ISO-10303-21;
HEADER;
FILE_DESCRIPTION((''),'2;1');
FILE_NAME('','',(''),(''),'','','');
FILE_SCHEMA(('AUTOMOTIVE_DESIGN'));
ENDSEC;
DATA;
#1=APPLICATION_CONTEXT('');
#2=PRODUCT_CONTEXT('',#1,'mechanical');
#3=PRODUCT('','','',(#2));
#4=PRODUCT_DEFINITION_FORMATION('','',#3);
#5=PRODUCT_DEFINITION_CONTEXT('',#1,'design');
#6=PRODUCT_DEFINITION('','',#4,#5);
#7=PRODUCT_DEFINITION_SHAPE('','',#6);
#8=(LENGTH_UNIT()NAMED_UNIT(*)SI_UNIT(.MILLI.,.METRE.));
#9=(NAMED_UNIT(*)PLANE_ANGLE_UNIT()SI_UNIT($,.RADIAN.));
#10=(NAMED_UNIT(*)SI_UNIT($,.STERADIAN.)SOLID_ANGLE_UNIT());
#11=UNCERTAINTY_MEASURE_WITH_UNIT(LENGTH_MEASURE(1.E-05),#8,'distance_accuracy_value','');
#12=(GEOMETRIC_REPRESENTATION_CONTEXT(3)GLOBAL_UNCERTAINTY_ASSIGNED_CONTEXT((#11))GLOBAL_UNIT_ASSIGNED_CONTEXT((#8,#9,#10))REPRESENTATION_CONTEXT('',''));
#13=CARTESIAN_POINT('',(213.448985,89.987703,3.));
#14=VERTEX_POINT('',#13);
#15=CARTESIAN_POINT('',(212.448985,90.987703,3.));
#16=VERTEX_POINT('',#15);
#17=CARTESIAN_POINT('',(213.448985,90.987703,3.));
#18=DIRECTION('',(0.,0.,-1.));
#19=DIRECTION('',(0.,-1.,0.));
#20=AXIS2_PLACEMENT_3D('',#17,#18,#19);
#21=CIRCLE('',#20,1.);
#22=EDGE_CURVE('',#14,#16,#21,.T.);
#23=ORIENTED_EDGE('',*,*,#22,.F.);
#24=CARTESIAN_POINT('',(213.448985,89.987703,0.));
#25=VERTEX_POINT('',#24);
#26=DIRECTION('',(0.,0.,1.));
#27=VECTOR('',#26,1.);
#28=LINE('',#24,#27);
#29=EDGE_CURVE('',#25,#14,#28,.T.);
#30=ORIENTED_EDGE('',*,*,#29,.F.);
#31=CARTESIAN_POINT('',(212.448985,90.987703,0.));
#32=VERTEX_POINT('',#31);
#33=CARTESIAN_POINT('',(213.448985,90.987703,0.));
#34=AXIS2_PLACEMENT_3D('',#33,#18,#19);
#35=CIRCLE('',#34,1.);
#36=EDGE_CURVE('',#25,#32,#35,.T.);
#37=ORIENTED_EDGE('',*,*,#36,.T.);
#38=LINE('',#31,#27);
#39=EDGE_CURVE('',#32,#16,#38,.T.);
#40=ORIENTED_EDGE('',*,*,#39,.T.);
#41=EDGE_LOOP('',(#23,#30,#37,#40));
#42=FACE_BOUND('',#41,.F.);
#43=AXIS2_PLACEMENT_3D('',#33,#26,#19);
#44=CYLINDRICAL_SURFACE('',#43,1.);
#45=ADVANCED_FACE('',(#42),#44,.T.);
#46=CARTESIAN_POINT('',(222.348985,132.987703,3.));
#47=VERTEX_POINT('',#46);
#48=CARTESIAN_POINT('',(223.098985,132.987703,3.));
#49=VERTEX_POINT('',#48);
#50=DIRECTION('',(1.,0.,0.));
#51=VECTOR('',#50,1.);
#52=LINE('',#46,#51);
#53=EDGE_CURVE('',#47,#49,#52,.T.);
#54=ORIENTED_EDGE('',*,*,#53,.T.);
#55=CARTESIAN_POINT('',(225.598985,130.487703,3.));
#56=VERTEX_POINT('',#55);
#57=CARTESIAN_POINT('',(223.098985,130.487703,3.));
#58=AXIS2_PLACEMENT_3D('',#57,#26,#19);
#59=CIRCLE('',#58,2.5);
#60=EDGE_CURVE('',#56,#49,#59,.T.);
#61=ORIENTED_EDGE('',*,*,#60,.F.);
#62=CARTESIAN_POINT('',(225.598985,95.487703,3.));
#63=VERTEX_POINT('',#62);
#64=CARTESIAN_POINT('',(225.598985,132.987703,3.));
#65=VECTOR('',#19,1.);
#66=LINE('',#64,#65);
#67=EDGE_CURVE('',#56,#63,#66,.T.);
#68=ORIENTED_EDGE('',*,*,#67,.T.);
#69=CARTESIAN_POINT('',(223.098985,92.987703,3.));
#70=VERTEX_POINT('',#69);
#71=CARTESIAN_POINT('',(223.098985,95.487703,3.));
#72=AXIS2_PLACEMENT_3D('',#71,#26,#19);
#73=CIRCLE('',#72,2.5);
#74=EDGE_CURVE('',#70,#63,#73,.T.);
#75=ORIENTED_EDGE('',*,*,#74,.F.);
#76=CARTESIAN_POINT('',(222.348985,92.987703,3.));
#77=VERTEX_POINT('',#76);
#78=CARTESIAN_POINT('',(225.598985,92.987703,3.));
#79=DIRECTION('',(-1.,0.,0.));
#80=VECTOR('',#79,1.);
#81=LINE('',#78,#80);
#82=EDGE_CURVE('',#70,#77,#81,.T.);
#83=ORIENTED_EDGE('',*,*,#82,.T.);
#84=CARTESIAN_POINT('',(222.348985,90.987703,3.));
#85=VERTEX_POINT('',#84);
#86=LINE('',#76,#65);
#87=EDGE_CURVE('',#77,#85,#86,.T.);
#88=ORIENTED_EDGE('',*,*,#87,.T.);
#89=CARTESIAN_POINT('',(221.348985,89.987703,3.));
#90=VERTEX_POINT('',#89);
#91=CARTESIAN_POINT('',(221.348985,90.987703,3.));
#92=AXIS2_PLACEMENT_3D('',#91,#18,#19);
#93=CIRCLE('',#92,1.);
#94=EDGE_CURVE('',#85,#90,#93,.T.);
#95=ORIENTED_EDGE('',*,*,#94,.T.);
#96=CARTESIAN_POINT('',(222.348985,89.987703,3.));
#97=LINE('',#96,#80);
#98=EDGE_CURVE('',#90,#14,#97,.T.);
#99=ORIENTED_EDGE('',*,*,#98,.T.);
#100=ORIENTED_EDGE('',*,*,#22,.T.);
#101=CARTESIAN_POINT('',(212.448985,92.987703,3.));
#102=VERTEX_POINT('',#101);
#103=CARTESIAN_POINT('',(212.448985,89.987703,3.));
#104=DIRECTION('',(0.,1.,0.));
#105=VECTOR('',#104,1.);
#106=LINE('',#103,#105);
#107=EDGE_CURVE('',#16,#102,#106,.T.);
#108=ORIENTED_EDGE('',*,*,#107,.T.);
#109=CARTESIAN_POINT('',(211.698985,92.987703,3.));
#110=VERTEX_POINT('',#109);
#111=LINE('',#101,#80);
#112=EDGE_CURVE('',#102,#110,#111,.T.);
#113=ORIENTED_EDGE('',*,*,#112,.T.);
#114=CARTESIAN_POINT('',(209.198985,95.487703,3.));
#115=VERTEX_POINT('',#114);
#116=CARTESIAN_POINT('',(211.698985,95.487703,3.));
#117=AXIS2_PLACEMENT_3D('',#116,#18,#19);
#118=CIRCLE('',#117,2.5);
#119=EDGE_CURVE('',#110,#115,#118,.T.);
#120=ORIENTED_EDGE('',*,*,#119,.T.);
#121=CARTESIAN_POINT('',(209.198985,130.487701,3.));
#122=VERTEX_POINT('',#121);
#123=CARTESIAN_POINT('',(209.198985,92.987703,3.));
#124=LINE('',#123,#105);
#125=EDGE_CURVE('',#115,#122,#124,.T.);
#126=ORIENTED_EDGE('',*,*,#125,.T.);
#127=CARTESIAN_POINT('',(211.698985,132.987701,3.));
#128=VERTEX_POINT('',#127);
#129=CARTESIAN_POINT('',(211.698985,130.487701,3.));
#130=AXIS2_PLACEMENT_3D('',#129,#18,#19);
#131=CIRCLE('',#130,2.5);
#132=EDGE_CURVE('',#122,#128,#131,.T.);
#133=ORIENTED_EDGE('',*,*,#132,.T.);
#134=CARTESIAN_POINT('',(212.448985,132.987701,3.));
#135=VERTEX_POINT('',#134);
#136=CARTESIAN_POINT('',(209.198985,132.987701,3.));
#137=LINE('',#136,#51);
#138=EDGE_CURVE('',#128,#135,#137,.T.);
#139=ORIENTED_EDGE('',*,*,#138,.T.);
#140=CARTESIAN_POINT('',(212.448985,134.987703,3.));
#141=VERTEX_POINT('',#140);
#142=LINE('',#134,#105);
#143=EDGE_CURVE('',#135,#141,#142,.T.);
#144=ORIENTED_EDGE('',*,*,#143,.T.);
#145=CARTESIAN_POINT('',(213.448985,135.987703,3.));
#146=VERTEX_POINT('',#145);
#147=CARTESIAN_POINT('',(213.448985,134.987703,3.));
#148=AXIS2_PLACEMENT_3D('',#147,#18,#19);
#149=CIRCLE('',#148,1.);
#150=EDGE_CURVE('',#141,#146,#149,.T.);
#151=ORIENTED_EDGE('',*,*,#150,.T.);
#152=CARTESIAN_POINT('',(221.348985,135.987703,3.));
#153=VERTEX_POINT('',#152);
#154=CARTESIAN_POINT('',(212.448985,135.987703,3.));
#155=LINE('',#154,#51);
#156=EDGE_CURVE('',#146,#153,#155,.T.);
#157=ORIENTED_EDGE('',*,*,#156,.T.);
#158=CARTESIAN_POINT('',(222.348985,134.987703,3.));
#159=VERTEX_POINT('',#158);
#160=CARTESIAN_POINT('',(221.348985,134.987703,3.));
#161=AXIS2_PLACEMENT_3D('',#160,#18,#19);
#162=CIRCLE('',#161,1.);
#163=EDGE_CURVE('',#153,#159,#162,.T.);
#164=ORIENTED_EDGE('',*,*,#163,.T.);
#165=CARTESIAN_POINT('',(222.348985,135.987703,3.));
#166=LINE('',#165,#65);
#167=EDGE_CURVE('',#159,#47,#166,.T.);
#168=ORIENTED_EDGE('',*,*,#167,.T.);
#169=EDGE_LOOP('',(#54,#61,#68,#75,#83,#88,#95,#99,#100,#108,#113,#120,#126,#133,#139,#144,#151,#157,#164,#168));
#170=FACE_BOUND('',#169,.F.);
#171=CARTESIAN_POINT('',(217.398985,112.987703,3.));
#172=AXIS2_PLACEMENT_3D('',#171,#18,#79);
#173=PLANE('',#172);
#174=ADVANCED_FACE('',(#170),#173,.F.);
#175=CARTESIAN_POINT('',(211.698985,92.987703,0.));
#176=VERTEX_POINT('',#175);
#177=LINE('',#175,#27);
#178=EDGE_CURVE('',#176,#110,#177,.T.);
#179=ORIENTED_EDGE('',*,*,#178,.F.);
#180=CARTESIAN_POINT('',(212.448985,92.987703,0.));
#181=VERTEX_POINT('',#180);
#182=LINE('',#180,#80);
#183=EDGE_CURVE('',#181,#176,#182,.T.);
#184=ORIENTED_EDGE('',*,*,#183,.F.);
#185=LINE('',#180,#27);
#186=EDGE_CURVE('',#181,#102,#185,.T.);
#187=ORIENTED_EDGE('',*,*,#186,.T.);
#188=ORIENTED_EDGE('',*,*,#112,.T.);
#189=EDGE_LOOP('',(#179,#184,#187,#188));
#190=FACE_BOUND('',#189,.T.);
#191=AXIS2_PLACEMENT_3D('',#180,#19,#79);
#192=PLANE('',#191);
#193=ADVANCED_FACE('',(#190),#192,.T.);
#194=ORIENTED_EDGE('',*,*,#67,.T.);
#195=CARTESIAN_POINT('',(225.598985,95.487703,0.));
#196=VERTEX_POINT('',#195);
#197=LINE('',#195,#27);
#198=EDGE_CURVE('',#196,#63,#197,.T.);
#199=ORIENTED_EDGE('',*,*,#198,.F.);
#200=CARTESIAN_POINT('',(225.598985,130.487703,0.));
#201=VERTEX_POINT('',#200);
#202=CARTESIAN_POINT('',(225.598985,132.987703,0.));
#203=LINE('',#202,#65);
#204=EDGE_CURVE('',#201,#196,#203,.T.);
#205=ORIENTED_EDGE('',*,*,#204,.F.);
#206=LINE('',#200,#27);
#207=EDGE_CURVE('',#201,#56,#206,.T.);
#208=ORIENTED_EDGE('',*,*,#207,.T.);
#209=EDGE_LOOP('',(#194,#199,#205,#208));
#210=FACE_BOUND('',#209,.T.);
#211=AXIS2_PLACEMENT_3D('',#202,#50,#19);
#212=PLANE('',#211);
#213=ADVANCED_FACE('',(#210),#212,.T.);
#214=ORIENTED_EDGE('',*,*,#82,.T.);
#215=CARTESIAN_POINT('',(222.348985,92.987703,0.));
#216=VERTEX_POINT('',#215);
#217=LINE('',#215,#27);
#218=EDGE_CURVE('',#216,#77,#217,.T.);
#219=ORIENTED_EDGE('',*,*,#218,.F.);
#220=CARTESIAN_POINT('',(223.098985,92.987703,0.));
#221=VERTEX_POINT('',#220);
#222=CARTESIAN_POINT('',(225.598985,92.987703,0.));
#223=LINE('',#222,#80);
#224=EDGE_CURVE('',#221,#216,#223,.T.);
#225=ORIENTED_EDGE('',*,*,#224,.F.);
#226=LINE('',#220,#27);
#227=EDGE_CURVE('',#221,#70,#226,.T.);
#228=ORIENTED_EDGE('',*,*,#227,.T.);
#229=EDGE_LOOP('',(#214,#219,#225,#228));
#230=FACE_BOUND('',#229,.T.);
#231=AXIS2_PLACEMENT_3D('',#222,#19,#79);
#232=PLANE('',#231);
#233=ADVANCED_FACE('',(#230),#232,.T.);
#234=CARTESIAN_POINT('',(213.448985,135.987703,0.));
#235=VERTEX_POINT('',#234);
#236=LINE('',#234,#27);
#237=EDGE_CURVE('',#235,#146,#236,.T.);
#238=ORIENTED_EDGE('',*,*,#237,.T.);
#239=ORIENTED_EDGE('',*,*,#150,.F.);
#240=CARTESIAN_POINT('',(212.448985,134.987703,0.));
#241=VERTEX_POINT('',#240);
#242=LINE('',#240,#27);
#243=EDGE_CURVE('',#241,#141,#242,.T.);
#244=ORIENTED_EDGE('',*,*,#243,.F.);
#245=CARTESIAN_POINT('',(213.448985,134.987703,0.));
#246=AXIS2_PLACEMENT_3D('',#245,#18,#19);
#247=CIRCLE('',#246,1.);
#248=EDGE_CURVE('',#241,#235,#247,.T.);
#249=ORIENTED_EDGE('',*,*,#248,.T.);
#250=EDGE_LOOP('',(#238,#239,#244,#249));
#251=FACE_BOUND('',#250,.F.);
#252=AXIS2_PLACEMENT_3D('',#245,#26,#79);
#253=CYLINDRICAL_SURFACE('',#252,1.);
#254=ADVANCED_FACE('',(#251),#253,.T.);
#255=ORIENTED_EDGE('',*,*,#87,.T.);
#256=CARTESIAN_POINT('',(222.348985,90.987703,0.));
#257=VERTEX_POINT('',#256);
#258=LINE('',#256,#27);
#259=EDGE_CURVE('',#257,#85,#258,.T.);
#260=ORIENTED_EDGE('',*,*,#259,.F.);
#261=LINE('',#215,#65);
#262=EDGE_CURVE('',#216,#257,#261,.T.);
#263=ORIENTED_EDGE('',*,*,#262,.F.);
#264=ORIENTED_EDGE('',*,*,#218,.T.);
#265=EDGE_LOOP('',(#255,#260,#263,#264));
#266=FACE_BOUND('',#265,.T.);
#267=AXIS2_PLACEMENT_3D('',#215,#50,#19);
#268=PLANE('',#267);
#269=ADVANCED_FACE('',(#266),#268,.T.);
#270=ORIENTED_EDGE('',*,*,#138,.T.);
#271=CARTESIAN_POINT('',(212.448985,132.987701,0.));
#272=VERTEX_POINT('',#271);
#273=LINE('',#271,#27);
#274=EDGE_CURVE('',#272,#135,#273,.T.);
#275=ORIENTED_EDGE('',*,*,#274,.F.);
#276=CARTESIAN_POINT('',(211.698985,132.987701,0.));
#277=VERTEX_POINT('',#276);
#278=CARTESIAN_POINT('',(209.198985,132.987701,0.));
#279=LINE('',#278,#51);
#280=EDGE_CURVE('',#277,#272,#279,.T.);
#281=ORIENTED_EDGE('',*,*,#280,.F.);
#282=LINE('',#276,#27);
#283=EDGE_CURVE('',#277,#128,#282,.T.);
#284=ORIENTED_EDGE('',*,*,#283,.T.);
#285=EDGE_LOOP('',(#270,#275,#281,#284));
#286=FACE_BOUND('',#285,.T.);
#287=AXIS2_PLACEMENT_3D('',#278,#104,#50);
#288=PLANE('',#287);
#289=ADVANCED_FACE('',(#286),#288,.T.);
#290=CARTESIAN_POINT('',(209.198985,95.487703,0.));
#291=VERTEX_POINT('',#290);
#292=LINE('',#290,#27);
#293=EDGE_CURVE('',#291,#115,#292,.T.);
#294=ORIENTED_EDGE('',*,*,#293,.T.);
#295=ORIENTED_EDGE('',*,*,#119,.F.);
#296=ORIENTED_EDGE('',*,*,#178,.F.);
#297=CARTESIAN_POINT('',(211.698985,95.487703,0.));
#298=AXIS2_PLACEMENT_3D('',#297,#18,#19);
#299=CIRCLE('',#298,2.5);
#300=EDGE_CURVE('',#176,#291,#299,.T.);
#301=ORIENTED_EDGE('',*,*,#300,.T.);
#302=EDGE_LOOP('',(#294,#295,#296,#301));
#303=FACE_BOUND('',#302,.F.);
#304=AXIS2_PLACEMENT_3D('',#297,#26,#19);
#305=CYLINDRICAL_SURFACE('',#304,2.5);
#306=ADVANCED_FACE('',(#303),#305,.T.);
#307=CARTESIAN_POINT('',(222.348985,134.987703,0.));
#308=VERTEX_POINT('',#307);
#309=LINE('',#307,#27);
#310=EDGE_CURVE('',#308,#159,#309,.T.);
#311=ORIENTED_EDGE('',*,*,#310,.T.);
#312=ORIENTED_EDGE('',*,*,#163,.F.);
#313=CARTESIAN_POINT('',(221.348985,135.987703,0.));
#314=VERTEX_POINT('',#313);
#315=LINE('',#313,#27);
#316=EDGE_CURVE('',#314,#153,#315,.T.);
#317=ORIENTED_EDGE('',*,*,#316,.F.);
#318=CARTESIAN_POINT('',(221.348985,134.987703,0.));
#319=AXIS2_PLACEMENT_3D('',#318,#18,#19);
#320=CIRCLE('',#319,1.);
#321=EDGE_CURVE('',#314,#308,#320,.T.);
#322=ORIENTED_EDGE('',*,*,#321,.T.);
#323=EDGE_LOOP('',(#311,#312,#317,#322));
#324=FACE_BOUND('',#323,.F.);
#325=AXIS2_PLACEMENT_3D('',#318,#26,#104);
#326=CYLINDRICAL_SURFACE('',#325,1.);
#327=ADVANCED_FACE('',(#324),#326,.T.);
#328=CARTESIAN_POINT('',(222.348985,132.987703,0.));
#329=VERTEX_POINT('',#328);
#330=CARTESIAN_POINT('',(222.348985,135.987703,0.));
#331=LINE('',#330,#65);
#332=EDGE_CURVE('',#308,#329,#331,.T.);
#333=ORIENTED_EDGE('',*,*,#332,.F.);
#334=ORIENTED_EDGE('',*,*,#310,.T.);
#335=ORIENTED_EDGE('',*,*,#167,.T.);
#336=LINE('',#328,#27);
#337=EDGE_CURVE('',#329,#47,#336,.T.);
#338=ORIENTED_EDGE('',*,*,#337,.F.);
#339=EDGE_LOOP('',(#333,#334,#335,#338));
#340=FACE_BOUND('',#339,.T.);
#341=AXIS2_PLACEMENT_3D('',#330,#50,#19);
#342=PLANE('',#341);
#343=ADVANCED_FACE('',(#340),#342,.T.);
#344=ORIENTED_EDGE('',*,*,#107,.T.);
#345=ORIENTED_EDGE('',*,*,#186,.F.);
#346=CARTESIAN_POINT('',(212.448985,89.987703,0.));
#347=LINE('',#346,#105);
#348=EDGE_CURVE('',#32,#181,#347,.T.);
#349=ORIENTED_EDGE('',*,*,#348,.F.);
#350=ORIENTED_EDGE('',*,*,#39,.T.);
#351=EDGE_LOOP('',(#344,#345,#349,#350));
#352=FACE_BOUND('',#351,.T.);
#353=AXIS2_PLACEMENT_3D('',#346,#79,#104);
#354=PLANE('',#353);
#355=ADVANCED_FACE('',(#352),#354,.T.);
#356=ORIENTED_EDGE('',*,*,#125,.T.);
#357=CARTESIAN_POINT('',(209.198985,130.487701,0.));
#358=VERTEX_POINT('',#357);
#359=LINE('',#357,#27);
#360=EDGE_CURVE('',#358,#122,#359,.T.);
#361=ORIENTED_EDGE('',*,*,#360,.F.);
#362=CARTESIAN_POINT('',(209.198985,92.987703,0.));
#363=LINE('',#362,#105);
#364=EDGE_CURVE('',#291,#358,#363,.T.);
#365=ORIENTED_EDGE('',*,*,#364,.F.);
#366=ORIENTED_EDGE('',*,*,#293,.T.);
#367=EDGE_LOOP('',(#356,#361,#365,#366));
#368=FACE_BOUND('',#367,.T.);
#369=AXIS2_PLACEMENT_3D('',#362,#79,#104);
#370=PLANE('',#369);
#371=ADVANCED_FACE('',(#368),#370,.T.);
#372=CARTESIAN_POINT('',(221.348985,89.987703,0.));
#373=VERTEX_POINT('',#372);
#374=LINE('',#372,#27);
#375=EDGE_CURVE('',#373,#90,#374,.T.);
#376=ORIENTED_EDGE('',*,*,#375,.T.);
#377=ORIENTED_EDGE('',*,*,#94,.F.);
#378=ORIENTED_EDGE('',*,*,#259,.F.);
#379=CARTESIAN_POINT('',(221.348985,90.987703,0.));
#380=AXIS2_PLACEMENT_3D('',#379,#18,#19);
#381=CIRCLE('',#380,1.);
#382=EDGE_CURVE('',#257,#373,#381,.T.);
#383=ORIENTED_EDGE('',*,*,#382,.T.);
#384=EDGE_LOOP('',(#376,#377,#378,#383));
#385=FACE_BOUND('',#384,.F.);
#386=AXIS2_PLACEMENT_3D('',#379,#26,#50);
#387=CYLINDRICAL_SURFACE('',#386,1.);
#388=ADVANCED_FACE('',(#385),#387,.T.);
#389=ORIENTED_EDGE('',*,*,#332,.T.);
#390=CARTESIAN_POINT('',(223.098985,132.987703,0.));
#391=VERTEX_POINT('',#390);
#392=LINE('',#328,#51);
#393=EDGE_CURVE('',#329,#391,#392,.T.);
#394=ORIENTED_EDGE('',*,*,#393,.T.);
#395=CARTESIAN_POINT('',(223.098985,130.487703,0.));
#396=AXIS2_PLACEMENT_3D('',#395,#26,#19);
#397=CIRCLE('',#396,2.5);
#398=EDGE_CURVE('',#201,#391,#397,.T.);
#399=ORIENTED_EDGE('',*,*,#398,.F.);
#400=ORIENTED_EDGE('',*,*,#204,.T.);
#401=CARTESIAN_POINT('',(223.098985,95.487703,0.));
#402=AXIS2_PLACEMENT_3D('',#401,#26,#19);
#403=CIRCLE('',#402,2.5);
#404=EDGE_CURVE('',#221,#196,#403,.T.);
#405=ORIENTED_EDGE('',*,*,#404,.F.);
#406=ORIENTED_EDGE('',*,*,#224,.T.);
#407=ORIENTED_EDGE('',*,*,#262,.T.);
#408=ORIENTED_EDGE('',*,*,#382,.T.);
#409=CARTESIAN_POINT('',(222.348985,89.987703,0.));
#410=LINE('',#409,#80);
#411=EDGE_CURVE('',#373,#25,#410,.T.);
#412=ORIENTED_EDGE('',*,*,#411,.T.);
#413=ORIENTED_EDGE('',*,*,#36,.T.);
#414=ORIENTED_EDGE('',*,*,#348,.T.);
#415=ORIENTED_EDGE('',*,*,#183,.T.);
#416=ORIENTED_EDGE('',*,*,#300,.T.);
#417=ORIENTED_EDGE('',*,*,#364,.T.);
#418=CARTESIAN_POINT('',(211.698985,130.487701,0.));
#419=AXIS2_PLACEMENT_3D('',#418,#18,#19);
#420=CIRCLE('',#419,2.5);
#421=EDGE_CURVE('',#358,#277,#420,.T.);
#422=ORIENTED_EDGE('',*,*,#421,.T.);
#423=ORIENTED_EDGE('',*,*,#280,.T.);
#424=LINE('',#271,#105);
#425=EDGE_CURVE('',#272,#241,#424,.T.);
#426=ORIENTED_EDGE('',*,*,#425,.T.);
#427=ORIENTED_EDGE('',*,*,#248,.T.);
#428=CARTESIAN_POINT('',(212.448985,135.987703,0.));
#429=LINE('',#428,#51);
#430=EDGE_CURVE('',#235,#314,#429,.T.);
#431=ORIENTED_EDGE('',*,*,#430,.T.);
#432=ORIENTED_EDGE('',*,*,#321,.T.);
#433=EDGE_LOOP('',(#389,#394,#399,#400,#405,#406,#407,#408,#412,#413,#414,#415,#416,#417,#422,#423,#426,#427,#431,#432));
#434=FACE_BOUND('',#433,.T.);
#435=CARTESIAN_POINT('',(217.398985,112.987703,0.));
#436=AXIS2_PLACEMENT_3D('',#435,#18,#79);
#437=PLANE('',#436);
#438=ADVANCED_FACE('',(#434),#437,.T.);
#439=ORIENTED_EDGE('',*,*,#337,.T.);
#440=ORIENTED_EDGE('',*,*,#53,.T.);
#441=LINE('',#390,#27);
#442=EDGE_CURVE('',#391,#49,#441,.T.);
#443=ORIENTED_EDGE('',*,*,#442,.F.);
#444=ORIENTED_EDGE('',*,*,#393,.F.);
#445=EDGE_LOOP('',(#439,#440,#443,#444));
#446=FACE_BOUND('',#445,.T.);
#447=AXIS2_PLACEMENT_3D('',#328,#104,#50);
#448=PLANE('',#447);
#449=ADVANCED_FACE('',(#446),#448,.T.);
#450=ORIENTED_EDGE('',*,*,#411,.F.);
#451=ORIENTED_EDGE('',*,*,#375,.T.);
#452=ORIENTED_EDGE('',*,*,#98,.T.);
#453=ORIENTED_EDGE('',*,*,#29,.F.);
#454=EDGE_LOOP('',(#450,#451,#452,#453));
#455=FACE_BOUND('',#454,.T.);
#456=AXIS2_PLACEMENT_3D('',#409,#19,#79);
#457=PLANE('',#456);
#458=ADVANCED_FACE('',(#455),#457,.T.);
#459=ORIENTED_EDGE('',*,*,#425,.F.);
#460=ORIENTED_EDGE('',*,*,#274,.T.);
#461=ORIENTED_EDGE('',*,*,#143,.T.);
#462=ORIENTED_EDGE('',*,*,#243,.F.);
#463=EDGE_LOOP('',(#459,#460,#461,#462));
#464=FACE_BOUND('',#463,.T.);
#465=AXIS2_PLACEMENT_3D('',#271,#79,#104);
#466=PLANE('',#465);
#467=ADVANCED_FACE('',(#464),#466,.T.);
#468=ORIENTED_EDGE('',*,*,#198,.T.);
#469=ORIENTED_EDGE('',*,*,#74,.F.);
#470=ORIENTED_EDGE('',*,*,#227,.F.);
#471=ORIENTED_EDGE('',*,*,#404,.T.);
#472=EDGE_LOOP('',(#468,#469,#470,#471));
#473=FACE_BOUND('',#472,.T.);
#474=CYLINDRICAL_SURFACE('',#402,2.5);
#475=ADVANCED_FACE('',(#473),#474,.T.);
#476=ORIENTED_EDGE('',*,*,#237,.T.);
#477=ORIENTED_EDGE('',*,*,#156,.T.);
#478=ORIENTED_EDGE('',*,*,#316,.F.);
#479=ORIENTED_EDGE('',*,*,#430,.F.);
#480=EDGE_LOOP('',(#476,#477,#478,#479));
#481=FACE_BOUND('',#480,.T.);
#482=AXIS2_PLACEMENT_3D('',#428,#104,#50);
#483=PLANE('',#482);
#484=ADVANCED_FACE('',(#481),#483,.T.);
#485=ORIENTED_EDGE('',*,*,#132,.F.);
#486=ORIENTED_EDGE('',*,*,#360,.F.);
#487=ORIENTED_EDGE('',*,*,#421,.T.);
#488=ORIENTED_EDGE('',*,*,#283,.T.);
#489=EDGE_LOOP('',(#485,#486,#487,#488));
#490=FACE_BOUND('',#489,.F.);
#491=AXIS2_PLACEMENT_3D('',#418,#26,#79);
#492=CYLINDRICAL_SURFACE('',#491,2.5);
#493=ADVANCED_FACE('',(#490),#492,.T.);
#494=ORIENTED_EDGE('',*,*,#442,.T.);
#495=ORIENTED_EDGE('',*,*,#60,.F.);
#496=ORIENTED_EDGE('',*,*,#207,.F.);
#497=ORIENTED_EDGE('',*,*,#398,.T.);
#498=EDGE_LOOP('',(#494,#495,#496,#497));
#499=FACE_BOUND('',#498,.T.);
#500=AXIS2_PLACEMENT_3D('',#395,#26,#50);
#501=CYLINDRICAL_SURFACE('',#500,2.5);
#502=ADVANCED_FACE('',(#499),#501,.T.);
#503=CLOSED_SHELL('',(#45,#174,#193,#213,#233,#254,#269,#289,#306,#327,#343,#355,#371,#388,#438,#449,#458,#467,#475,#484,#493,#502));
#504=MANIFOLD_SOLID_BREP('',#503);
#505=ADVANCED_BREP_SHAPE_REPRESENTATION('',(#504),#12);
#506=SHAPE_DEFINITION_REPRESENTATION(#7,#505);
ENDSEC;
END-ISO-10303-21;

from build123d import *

# Parameters (mm, degrees)
PAD_DEPTH   = 3
FILLET_R    = 1
FILLET001_R = 2.5


with BuildPart() as part:
    # Sketch → Pad (new body)
    with BuildSketch(Plane.XY):
        Polygon((25.598985, 32.987703), (25.598985, -7.012297), (22.348985, -7.012297), (22.348985, -10.012297), (12.448985, -10.012297), (12.448985, -7.012297), (9.198985, -7.012297), (9.198985, 32.987701), (12.448985, 32.987701), (12.448985, 35.987703), (22.348985, 35.987703), (22.348985, 32.987703), align=None)
    extrude(amount=PAD_DEPTH)

    # Fillet
    fillet_edges = [part.edges().sort_by_distance(p)[0] for p in [
        (22.348985, -10.012297, 1.5),
        (12.448985, -10.012297, 1.5),
        (22.348985, 35.987703, 1.5),
        (12.448985, 35.987703, 1.5),
    ]]
    fillet(fillet_edges, radius=FILLET_R)

    # Fillet001
    fillet001_edges = [part.edges().sort_by_distance(p)[0] for p in [
        (25.598985, -7.012297, 1.5),
        (25.598985, 32.987703, 1.5),
        (9.198985, -7.012297, 1.5),
        (9.198985, 32.987701, 1.5),
    ]]
    fillet(fillet001_edges, radius=FILLET001_R)


with BuildPart() as part_1:
    # Fillet001 placement: moved
    add(part.part.moved(Location((200, 100, 0))))


solid = part_1.part
